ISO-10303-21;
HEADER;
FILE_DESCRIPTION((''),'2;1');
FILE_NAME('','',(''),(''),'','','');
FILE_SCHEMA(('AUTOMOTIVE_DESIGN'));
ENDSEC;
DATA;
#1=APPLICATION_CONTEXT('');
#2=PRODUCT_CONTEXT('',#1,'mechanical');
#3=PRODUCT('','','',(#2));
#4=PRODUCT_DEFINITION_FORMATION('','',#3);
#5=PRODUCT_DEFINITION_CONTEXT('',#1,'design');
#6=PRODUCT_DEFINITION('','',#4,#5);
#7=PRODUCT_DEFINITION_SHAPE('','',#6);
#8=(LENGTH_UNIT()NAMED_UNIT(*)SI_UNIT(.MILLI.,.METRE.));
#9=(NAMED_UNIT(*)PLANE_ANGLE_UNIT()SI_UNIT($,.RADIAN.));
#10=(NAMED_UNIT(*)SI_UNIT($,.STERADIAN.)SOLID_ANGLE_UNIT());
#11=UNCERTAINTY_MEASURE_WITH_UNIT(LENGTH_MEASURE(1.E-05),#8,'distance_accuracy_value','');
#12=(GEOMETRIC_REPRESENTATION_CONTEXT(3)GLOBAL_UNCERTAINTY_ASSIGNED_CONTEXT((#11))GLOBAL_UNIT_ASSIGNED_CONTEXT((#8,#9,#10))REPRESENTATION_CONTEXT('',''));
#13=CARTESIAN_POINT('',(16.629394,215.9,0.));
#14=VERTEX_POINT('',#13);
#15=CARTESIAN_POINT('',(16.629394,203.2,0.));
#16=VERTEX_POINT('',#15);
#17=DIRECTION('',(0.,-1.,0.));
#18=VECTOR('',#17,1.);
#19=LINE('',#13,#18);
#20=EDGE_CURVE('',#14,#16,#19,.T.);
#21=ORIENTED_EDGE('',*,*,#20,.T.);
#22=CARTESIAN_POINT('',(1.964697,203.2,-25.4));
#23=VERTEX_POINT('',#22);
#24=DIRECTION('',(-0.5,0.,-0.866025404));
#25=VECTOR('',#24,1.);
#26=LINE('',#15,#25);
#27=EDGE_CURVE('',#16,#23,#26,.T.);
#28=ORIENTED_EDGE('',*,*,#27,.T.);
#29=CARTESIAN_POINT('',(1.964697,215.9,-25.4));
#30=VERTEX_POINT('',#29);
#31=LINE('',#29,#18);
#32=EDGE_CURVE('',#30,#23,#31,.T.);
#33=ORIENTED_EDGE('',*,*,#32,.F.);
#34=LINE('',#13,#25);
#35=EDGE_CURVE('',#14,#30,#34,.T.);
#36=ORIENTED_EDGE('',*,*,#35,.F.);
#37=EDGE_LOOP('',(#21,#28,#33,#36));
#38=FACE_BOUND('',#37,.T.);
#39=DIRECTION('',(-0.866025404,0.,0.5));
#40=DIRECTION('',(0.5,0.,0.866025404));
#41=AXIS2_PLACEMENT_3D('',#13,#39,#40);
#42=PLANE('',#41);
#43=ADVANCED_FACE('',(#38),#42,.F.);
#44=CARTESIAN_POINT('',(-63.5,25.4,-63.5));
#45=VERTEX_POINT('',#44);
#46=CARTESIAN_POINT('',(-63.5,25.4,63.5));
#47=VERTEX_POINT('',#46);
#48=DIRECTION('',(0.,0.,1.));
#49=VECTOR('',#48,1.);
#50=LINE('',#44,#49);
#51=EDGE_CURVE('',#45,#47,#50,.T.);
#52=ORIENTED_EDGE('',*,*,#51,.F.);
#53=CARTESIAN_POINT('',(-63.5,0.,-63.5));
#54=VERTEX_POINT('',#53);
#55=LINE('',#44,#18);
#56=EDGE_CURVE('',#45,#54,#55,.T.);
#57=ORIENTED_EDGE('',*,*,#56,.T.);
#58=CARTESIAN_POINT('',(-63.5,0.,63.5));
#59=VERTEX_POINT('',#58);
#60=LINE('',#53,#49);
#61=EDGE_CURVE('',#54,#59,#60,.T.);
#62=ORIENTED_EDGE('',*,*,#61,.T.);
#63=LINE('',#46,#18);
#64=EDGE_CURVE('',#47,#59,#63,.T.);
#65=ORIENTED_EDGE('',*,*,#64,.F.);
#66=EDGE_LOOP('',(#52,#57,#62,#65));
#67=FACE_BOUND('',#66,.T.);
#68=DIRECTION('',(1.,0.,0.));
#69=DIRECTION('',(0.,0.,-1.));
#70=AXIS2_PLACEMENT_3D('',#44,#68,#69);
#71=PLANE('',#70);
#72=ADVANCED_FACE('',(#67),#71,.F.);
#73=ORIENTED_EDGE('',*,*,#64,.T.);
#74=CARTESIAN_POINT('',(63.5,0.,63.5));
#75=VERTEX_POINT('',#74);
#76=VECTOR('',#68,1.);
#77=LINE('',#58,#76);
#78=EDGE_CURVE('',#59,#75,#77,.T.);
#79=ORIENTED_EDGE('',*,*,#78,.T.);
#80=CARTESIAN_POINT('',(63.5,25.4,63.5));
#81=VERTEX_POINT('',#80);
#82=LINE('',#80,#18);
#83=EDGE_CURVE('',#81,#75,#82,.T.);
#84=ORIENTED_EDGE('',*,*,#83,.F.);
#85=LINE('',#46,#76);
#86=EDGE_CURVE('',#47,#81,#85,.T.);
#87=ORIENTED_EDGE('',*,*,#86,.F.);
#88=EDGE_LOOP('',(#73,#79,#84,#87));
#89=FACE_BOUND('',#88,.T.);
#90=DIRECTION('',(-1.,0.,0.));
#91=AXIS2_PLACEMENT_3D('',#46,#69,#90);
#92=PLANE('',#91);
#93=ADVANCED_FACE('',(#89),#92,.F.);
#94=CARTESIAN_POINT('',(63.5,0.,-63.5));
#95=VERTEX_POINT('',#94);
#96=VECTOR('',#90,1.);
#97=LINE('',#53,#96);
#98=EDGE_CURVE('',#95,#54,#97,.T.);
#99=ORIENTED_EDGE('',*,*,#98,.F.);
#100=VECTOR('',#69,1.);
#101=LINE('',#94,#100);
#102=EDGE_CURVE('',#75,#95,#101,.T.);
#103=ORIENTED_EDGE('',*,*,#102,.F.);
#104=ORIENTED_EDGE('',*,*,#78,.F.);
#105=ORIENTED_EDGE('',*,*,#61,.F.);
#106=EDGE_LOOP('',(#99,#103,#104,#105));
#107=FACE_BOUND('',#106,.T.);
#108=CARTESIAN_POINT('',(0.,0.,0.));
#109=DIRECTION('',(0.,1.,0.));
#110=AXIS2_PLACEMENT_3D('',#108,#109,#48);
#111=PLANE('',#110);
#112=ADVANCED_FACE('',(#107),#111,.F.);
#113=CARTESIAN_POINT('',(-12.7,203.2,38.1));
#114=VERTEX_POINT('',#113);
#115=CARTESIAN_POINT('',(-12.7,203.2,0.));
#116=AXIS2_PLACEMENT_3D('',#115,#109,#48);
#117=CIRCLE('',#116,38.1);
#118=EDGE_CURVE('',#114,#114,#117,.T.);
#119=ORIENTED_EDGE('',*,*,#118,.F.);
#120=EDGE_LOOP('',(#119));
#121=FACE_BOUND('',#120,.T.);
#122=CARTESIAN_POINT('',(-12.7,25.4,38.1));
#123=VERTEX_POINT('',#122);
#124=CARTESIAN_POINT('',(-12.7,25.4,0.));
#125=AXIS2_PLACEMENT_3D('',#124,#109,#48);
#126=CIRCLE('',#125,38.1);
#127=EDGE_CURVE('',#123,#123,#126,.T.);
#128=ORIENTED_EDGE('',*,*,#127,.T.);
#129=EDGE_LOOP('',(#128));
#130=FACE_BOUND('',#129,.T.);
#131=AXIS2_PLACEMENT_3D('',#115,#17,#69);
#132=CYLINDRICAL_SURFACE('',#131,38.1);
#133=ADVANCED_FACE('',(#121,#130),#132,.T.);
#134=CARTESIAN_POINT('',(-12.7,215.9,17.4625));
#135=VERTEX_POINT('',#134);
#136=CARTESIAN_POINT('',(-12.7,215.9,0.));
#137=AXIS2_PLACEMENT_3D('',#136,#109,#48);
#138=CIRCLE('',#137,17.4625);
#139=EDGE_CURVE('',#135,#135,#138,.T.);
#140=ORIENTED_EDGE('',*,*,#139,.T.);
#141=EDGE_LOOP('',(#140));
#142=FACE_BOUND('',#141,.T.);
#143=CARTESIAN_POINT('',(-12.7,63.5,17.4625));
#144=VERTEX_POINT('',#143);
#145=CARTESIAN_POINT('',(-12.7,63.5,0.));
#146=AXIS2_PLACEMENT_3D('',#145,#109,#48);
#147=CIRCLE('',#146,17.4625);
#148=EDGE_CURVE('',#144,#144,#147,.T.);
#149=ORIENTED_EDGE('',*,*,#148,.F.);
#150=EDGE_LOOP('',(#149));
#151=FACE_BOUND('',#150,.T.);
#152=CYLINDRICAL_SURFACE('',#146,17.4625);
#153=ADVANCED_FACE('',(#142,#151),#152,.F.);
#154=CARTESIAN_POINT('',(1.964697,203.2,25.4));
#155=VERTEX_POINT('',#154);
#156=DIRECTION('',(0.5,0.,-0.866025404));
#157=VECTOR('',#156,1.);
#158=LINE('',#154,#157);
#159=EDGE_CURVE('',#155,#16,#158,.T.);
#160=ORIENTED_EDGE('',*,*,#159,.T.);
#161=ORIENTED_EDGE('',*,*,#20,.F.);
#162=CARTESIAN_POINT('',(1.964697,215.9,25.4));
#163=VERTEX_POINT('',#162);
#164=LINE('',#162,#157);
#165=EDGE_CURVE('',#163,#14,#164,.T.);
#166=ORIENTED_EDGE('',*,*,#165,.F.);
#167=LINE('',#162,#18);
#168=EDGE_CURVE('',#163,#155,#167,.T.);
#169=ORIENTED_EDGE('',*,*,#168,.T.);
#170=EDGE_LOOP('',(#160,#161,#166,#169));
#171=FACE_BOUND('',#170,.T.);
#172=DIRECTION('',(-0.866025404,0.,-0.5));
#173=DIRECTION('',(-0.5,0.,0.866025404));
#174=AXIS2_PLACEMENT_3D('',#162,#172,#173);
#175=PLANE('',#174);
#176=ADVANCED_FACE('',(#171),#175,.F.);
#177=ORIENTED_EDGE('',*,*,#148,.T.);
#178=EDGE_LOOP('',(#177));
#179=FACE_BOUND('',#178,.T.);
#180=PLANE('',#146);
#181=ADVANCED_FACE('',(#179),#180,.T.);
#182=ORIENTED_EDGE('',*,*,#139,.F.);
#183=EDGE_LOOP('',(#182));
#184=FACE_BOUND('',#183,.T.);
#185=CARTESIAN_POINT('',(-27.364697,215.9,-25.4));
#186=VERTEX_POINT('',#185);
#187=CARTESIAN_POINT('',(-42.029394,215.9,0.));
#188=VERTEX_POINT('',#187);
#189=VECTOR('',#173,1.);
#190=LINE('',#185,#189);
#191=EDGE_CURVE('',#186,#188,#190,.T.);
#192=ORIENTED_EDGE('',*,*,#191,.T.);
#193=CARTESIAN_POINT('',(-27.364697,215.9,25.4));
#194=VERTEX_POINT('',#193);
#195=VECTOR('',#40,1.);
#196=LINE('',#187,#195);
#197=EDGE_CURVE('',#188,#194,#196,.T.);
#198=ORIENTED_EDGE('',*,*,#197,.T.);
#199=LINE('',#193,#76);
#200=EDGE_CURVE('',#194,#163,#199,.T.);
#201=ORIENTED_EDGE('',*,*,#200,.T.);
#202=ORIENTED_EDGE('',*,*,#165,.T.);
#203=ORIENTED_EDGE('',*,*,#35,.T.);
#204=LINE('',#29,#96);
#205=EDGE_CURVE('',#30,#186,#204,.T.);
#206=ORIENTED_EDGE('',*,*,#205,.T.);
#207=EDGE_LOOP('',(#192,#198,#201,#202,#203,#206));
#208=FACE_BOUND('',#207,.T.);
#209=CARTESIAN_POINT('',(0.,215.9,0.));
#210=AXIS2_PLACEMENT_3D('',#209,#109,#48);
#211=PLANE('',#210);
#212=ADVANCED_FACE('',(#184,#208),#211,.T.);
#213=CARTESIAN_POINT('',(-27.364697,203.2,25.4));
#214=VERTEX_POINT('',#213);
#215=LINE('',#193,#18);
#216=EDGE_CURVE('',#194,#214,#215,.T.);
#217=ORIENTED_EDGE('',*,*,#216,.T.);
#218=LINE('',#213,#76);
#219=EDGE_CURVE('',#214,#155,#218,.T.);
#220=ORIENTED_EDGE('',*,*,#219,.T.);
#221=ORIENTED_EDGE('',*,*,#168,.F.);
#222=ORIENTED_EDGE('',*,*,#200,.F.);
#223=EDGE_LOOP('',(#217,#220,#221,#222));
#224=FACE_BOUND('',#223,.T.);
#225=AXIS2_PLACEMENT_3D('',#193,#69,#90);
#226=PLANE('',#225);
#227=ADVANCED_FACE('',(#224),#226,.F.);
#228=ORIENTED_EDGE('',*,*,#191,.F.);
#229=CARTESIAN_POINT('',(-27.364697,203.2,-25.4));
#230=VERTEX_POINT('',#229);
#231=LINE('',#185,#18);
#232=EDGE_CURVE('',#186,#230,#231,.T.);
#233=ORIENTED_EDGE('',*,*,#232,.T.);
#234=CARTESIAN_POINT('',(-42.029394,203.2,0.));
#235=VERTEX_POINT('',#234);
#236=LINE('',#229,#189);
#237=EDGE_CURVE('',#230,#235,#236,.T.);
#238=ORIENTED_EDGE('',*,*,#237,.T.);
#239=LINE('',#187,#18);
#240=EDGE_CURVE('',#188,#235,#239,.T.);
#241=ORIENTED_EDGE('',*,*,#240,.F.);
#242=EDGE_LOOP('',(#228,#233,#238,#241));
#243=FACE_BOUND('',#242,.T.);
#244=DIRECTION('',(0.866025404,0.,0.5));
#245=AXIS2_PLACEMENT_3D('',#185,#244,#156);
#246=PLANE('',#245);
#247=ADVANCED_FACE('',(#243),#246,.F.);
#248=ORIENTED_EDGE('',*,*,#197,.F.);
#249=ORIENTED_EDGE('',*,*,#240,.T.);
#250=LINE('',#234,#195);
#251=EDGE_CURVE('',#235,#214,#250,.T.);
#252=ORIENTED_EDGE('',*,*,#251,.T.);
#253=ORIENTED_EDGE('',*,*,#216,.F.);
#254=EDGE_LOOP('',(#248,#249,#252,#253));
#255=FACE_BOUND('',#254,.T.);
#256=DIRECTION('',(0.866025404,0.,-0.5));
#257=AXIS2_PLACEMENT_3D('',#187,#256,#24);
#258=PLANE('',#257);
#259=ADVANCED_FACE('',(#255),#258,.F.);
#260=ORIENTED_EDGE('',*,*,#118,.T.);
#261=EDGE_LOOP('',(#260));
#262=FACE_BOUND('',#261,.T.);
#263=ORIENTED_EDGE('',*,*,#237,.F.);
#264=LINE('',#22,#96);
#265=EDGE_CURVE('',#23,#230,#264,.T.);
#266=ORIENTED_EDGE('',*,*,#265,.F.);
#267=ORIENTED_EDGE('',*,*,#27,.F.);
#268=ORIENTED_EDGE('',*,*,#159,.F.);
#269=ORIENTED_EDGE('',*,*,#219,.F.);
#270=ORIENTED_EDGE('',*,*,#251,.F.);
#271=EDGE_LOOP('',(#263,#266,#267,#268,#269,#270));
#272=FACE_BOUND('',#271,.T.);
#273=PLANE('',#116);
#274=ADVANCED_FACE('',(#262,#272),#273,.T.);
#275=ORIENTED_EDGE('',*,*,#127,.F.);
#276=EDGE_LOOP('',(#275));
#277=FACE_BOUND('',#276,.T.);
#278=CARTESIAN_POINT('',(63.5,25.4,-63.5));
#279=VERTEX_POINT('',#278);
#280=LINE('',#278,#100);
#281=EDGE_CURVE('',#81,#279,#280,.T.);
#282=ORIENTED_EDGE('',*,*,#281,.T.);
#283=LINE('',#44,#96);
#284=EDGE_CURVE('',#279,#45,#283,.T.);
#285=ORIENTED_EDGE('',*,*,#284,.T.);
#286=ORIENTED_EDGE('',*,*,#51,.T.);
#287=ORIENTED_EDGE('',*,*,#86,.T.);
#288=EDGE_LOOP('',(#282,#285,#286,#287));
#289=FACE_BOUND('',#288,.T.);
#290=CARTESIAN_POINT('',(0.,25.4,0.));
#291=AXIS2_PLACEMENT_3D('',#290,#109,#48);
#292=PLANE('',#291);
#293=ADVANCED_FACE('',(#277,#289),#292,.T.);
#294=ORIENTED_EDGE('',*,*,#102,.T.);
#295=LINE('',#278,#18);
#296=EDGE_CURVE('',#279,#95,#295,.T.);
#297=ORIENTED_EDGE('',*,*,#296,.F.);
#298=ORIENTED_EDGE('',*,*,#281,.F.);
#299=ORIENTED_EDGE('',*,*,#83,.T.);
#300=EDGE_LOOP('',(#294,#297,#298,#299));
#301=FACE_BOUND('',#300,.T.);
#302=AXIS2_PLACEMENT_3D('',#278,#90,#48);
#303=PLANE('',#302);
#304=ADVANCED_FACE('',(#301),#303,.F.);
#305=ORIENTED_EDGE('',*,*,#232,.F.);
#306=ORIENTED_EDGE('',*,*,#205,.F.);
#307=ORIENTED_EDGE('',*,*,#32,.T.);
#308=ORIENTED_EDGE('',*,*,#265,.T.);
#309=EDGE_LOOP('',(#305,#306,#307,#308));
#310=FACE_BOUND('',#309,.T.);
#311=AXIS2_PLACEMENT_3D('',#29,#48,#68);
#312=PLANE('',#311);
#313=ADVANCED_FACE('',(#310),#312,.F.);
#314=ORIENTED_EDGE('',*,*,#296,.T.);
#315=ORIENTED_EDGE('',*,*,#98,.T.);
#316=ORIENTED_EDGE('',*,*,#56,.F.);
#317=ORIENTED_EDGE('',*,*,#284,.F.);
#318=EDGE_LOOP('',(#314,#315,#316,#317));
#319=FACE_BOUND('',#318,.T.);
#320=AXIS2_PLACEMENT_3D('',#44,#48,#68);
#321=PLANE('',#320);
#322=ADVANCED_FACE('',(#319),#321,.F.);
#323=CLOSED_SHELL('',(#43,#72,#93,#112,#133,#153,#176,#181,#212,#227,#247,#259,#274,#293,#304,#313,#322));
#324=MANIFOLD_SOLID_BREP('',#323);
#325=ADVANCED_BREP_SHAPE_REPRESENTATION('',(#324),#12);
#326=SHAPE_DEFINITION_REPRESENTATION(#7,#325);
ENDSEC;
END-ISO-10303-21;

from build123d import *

# Parameters (mm, degrees)
SKETCH1_W           = 127
SKETCH1_H           = 127
BOSS_EXTRUDE1_DEPTH = 25.4
SKETCH2_R           = 38.1
BOSS_EXTRUDE2_DEPTH = 177.8
BOSS_EXTRUDE3_DEPTH = 12.7
SKETCH4_R           = 17.4625
CUT_EXTRUDE1_DEPTH  = 152.4


with BuildPart() as part:
    # Sketch1 → Boss-Extrude1 (new body)
    with BuildSketch(Plane(origin=(0, 0, 0), x_dir=(1, 0, 0), z_dir=(0, 1, 0))):
        Rectangle(SKETCH1_W, SKETCH1_H)
    extrude(amount=BOSS_EXTRUDE1_DEPTH)

    # Sketch2 → Boss-Extrude2 (add)
    with BuildSketch(Plane(origin=(0, 25.4, 0), x_dir=(1, 0, 0), z_dir=(0, 1, 0))):
        with Locations(Location((-12.7, 0, 0), (0, 0, 270))):  # turned: the seam where the file's is
            Circle(SKETCH2_R)
    extrude(amount=BOSS_EXTRUDE2_DEPTH)

    # Sketch3 → Boss-Extrude3 (add)
    with BuildSketch(Plane(origin=(0, 203.2, 0), x_dir=(1, 0, 0), z_dir=(0, 1, 0))):
        Polygon((16.629393675, 0), (1.964696837, 25.4), (-27.364696837, 25.4), (-42.029393675, 0), (-27.364696837, -25.4), (1.964696837, -25.4), align=None)
    extrude(amount=BOSS_EXTRUDE3_DEPTH)

    # Sketch4 → Cut-Extrude1 (cut)
    with BuildSketch(Plane(origin=(0, 215.9, 0), x_dir=(1, 0, 0), z_dir=(0, 1, 0))):
        with Locations(Location((-12.7, 0, 0), (0, 0, 270))):  # turned: the seam where the file's is
            Circle(SKETCH4_R)
    extrude(amount=-CUT_EXTRUDE1_DEPTH, mode=Mode.SUBTRACT)


solid = part.part
